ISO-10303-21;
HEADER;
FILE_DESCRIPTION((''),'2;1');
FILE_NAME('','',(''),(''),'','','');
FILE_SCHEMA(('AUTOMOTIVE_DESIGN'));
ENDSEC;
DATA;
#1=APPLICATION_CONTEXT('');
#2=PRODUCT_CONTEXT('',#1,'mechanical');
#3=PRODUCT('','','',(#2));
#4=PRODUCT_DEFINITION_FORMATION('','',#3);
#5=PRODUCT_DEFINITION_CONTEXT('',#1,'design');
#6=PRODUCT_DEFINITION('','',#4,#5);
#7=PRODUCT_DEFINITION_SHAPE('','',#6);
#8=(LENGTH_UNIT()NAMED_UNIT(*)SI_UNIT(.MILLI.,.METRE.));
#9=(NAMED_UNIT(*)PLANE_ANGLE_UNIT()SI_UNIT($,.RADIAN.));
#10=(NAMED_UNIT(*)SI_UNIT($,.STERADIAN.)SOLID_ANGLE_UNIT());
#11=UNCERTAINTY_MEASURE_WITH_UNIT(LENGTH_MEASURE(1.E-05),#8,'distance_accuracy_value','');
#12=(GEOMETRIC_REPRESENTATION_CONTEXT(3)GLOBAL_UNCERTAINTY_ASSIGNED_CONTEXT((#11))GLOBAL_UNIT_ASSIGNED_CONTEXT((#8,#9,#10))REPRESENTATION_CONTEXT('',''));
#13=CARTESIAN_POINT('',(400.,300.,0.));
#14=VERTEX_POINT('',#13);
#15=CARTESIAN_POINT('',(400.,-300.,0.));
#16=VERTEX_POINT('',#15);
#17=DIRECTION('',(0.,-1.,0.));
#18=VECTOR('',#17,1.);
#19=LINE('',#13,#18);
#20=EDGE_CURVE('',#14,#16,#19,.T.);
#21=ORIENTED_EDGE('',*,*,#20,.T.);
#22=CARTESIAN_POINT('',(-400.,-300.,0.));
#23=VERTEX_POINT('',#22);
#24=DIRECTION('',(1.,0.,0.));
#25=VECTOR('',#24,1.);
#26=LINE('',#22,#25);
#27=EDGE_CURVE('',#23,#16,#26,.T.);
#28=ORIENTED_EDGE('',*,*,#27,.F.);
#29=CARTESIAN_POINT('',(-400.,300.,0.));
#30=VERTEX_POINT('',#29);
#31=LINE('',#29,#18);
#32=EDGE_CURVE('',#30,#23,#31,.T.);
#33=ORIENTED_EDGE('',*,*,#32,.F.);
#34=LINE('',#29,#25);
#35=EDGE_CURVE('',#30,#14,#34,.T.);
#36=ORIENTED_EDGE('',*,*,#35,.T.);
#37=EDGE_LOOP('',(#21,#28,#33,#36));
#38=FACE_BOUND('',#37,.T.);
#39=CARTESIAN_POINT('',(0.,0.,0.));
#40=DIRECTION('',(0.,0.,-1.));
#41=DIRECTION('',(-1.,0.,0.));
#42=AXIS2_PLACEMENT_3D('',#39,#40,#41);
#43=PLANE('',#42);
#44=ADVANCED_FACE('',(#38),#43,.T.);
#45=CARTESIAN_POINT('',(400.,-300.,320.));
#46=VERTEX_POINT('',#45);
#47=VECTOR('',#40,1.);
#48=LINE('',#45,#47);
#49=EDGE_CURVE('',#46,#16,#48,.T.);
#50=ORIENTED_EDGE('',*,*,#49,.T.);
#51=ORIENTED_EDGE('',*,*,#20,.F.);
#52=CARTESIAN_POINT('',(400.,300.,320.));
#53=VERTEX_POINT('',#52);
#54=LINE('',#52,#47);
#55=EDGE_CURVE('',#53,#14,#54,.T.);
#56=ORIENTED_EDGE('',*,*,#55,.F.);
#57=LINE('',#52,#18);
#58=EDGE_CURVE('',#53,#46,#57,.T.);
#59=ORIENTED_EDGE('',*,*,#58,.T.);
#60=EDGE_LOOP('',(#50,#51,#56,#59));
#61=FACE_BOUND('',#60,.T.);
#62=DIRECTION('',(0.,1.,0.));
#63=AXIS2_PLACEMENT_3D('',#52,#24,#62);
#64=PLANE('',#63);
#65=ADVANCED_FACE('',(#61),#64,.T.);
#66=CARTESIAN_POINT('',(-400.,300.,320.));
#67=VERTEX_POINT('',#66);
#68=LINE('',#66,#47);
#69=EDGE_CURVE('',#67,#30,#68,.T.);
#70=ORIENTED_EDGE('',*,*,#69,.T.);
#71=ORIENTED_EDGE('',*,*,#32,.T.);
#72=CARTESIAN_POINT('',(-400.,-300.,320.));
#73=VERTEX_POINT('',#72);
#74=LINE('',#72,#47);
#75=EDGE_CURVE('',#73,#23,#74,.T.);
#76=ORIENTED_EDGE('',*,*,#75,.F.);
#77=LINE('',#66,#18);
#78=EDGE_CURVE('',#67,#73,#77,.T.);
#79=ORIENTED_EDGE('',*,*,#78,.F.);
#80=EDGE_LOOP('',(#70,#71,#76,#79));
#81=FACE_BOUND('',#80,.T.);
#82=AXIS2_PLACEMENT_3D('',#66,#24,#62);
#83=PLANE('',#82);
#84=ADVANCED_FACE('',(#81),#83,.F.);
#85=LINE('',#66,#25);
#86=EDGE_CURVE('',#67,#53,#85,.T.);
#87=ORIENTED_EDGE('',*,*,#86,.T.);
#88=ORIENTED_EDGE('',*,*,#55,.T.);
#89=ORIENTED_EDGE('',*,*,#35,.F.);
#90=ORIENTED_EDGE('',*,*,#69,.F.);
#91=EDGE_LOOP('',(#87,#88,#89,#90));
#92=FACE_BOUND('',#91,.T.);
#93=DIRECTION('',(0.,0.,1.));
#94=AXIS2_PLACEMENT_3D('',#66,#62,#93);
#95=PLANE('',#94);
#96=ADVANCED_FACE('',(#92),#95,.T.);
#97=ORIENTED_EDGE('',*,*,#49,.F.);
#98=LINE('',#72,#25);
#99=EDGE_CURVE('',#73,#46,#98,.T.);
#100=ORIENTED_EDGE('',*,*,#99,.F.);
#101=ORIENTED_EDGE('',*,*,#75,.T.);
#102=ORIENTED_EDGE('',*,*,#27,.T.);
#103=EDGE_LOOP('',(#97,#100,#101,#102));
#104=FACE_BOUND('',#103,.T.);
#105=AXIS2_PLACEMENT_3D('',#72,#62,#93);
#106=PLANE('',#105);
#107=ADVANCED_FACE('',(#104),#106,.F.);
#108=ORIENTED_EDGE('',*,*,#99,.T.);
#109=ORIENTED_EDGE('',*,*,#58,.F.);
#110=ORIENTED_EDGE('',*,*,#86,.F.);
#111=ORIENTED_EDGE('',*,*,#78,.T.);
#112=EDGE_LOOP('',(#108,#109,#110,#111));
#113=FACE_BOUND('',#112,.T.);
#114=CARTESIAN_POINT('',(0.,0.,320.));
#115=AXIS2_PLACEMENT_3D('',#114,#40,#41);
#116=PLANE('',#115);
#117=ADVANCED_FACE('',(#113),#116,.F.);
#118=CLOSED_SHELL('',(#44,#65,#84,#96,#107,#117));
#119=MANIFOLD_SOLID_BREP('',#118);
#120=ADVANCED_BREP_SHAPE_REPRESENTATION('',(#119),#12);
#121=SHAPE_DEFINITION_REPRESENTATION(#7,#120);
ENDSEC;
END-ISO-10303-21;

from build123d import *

# Parameters (mm, degrees)
SKETCH_1_W      = 800
SKETCH_1_H      = 600
EXTRUDE_1_DEPTH = 320


with BuildPart() as part:
    # Эскиз1 → Бобышка-Вытянуть1 (new body)
    with BuildSketch(Plane.XY):
        Rectangle(SKETCH_1_W, SKETCH_1_H)
    extrude(amount=EXTRUDE_1_DEPTH)


solid = part.part
